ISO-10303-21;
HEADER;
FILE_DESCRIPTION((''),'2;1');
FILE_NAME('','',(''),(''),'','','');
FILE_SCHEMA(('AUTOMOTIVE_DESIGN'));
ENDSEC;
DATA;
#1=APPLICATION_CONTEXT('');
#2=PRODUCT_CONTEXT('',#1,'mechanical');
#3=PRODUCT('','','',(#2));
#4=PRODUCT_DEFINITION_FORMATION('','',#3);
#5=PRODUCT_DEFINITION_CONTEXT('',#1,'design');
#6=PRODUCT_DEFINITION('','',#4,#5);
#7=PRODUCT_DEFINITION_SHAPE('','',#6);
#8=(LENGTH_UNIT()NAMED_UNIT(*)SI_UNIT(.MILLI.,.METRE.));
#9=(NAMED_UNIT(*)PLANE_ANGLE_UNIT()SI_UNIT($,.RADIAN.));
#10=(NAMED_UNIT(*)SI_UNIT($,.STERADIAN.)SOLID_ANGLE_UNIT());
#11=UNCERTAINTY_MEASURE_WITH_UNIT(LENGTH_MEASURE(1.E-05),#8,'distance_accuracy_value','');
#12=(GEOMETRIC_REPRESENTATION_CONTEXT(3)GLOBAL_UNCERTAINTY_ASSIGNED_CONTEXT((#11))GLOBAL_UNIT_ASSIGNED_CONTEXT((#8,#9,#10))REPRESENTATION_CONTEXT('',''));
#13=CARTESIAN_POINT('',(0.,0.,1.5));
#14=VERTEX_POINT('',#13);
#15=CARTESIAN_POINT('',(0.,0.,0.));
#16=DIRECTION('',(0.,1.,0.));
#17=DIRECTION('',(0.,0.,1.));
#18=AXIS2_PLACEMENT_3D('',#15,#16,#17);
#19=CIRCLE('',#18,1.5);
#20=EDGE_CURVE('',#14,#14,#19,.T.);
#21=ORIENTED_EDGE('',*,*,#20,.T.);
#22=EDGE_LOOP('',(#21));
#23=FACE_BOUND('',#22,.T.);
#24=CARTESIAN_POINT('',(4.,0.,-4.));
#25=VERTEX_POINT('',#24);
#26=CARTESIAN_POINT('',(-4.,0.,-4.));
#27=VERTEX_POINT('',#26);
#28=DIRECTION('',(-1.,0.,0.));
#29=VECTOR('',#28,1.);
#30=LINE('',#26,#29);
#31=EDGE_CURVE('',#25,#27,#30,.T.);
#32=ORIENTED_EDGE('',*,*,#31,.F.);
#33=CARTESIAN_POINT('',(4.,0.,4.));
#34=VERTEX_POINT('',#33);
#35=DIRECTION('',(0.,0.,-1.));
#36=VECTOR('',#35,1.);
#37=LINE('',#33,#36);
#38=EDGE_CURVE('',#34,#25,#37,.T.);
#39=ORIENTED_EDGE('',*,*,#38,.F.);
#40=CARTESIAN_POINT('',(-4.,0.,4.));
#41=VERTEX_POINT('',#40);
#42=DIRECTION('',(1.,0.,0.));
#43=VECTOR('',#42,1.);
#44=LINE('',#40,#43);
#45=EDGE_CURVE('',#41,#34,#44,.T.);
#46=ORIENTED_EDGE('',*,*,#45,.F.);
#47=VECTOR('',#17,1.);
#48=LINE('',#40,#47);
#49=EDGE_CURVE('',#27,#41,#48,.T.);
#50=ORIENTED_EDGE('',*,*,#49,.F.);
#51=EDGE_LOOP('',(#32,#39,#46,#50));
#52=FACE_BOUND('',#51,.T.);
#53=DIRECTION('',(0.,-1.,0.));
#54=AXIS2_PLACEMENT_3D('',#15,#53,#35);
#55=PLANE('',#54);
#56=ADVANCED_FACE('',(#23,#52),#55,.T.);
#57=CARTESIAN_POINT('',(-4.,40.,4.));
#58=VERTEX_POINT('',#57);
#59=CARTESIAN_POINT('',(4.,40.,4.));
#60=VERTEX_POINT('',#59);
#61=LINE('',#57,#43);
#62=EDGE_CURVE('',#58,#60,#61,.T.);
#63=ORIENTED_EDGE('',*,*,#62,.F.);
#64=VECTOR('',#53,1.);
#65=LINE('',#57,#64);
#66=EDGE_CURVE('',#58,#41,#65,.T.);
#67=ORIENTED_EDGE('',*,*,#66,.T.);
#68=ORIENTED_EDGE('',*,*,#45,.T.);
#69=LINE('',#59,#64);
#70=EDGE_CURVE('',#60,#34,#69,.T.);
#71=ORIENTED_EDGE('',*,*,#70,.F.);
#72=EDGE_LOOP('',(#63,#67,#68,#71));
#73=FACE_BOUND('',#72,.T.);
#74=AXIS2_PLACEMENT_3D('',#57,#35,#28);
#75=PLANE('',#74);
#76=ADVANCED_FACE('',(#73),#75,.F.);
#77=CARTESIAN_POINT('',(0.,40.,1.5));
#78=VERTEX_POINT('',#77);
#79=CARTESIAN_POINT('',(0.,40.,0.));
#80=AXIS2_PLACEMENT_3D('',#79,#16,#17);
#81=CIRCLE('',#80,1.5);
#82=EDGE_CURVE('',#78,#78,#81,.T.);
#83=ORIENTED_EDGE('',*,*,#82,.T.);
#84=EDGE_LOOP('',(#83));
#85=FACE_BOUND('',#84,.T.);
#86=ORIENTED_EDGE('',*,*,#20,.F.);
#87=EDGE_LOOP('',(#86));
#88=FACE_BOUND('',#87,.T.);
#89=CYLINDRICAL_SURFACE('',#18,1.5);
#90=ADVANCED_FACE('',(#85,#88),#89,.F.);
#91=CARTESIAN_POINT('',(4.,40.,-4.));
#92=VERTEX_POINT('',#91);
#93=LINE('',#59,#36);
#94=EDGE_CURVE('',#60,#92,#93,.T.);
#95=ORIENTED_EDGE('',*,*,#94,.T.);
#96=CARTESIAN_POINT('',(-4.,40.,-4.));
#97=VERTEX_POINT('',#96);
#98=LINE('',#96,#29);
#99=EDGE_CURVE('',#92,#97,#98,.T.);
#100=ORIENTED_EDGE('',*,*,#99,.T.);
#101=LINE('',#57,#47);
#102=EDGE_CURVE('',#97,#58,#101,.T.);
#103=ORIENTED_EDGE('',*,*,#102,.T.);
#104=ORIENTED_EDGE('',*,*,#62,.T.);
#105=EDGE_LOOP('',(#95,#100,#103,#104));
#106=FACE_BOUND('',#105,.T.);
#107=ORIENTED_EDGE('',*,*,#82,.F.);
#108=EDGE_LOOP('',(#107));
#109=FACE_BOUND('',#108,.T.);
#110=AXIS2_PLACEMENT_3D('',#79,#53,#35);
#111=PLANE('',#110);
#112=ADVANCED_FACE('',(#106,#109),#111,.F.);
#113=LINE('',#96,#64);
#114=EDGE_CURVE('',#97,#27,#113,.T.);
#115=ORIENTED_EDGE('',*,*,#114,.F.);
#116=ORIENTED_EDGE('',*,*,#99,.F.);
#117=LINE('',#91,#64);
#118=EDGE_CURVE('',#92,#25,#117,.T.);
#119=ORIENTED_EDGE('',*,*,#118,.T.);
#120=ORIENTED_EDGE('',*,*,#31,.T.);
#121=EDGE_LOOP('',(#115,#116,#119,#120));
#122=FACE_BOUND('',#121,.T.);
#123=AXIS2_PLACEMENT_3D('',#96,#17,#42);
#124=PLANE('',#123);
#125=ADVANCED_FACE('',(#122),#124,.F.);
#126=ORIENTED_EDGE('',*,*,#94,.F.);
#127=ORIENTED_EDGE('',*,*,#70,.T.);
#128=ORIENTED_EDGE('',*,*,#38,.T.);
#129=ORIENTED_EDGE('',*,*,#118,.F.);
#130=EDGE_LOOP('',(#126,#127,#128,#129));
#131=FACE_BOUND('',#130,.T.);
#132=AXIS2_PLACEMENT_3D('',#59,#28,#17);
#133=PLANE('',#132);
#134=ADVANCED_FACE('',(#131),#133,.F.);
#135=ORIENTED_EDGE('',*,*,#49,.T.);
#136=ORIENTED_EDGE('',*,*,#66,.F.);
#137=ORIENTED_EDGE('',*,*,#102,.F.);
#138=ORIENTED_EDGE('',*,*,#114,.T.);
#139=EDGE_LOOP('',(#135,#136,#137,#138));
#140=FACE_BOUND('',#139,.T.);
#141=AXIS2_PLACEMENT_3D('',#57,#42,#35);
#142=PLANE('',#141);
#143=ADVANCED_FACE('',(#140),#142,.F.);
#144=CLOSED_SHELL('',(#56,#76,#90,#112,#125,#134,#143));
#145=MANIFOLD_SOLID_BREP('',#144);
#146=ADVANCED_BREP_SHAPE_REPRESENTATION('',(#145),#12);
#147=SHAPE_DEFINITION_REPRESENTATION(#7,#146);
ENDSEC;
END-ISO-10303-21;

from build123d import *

# Parameters (mm, degrees)
SKETCH1_W           = 8
SKETCH1_H           = 8
BOSS_EXTRUDE1_DEPTH = 40
SKETCH2_R           = 1.5
CUT_EXTRUDE1_DEPTH  = 41


with BuildPart() as part:
    # Sketch1 → Boss-Extrude1 (new body)
    with BuildSketch(Plane(origin=(0, 0, 0), x_dir=(1, 0, 0), z_dir=(0, 1, 0))):
        Rectangle(SKETCH1_W, SKETCH1_H)
    extrude(amount=BOSS_EXTRUDE1_DEPTH)

    # Sketch2 → Cut-Extrude1 (cut, through all)
    with BuildSketch(Plane(origin=(0, 40, 0), x_dir=(1, 0, 0), z_dir=(0, 1, 0))):
        Circle(SKETCH2_R)
    extrude(amount=-CUT_EXTRUDE1_DEPTH, mode=Mode.SUBTRACT)


solid = part.part
